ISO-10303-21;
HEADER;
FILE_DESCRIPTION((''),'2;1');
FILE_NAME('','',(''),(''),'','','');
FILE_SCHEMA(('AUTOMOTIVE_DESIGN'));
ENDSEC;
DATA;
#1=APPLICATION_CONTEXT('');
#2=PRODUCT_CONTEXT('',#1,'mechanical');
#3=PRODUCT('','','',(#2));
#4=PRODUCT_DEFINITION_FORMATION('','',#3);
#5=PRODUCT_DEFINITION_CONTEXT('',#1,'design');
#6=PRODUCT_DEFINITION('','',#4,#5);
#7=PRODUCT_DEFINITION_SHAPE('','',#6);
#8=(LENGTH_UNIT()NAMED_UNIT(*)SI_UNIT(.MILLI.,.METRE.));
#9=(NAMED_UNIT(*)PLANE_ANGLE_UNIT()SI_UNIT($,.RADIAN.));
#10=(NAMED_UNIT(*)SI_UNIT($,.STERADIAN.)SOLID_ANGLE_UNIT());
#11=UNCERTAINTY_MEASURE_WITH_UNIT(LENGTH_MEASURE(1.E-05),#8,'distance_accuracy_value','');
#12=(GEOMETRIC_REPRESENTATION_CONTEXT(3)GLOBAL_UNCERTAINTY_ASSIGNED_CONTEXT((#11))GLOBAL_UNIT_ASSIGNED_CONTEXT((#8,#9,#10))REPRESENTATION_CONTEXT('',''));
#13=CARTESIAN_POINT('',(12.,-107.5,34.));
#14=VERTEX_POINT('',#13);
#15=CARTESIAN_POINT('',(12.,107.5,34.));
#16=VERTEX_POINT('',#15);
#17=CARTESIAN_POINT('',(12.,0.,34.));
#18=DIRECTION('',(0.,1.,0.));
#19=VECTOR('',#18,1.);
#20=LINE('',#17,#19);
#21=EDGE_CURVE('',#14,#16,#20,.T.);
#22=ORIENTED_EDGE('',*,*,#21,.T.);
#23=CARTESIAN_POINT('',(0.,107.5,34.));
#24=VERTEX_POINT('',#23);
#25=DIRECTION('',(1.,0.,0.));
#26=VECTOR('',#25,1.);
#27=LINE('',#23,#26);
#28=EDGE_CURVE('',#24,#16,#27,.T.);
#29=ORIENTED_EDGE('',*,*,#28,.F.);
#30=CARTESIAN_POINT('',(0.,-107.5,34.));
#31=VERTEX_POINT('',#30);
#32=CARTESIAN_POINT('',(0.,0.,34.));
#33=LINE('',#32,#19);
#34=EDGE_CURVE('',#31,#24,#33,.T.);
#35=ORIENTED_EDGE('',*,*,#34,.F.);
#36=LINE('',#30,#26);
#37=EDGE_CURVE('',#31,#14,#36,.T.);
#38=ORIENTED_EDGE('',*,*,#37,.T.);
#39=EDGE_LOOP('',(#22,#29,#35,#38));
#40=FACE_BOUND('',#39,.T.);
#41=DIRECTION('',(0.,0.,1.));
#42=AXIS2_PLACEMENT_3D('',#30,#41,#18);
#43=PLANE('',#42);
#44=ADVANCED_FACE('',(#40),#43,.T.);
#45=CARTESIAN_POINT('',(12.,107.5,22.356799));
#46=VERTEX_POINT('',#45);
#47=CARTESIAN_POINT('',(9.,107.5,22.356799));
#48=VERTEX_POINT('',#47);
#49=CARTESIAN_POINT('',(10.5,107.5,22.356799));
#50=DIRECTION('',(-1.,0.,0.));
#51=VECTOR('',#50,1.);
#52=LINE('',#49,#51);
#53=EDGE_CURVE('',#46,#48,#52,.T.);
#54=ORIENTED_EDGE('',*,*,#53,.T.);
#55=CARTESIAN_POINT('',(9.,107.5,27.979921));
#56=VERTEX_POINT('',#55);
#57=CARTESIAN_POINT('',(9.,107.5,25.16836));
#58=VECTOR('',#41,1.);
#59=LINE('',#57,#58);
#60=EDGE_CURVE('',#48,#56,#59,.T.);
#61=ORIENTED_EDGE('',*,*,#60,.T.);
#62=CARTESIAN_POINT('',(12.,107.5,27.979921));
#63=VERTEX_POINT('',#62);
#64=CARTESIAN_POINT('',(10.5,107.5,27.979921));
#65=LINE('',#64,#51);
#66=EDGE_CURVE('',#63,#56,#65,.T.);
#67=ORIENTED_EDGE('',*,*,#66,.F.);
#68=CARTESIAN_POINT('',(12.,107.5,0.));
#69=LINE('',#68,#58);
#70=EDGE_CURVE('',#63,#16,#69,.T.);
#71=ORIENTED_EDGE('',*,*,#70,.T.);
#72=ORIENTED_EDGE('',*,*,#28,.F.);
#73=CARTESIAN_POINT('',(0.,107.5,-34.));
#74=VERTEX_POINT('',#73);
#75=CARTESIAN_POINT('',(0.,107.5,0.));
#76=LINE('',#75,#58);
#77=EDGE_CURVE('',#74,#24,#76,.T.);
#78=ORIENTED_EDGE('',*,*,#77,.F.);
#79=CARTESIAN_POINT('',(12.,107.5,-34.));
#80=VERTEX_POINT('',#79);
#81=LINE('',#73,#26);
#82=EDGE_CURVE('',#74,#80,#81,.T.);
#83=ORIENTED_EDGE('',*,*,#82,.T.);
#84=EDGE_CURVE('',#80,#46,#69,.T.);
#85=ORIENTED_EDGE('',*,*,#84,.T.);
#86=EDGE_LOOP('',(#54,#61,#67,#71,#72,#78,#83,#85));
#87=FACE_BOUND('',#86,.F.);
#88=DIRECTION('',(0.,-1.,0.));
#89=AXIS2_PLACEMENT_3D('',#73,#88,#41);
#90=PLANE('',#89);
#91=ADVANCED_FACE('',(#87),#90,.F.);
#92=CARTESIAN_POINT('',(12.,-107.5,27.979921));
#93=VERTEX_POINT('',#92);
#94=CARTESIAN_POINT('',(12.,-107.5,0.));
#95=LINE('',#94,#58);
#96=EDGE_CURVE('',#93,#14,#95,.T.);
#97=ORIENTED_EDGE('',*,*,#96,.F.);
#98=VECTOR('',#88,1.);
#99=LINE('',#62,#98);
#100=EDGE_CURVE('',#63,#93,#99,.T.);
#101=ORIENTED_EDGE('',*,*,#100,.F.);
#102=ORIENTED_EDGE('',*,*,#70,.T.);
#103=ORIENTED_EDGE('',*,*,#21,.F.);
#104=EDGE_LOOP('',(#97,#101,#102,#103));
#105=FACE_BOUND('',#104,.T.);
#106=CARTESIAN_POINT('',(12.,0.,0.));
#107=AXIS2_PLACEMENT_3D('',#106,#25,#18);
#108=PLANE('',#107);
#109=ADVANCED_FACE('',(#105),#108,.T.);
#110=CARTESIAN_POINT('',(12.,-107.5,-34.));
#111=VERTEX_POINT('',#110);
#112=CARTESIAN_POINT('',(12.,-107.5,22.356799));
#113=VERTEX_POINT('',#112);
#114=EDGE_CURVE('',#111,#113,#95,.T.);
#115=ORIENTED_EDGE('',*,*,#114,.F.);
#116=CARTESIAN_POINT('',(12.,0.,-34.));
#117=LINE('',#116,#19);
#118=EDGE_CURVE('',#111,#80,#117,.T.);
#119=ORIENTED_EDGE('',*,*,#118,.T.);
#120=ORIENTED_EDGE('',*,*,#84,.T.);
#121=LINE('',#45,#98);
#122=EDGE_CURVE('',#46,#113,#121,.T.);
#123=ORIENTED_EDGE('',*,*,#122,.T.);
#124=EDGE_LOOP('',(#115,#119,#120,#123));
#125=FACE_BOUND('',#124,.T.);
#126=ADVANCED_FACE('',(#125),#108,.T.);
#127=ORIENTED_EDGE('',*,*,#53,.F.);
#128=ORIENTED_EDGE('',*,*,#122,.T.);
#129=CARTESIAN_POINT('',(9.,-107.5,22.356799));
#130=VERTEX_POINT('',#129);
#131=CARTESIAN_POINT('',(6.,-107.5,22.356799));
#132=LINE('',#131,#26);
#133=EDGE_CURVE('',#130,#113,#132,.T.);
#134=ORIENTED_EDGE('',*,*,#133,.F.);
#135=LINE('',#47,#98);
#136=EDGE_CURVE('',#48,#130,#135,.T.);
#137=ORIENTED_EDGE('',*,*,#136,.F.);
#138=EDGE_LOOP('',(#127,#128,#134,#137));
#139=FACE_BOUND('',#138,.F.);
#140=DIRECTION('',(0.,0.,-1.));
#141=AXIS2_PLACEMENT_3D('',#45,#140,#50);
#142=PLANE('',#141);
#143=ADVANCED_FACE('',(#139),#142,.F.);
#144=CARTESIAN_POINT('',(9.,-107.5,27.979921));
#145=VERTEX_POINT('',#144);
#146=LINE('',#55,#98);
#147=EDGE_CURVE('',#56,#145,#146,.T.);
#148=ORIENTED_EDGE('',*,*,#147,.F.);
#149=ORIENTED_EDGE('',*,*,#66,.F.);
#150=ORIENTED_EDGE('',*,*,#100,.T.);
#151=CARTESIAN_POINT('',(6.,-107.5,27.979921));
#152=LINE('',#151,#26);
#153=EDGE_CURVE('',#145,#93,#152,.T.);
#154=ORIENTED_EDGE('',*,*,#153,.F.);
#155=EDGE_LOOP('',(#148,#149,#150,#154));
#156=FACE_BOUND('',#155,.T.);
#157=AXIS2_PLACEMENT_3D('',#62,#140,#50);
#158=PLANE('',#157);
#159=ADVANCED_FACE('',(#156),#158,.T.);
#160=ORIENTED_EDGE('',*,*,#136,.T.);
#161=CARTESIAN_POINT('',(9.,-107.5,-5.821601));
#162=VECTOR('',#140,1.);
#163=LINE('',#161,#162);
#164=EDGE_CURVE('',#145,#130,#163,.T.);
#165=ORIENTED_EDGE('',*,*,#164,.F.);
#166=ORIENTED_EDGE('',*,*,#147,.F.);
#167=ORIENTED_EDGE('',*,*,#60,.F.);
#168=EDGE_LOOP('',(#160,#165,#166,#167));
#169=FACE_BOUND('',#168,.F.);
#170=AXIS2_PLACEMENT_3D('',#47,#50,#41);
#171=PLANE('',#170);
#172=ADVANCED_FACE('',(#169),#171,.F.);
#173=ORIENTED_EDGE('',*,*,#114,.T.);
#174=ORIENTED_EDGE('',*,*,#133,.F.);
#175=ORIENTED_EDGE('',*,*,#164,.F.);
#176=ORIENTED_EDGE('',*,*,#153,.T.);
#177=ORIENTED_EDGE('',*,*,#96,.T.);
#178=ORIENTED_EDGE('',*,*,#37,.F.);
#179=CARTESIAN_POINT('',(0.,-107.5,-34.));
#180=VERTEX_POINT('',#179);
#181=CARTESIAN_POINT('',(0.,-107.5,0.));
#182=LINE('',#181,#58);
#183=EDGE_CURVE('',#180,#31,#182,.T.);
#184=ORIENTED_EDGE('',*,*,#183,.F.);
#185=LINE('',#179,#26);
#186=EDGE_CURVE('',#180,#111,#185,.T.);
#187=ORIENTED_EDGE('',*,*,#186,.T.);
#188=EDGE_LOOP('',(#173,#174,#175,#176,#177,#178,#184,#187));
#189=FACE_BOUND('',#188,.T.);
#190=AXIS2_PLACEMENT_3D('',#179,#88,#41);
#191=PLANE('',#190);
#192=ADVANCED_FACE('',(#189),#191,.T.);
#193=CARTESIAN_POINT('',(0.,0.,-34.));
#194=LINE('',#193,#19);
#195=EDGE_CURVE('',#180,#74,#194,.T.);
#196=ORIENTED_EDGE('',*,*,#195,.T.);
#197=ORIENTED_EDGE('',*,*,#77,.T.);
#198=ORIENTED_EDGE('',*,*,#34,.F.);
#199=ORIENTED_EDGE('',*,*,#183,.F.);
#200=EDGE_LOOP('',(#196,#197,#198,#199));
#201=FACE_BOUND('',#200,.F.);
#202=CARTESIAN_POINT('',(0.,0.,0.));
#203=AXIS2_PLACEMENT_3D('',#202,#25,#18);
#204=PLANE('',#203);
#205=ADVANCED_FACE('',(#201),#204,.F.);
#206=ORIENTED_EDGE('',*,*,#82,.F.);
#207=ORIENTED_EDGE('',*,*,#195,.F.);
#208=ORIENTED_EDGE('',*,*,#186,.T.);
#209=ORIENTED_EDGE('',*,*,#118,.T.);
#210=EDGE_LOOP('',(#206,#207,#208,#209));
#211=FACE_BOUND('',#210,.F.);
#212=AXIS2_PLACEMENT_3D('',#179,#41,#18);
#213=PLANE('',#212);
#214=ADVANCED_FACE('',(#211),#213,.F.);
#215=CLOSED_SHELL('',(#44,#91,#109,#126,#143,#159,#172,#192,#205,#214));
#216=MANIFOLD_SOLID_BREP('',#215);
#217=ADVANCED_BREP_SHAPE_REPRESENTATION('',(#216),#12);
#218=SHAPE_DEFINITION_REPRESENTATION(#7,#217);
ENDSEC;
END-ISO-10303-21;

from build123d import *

# Parameters (mm, degrees)
F0_W     = 215
F0_H     = 68
F1_DEPTH = 12
F2_W     = 3
F2_H     = 5.623123
F3_DEPTH = 300


with BuildPart() as f1:
    # F0 (on Right) → F1 (new body)
    with BuildSketch(Plane.YZ):
        Rectangle(F0_W, F0_H)
    extrude(amount=F1_DEPTH)

    # F2 (on face) → F3 (cut)
    with BuildSketch(Plane(origin=(0, 107.5, 0), x_dir=(-1, 0, 0), z_dir=(0, 1, 0))):
        with Locations((-10.5, 25.16836)):
            Rectangle(F2_W, F2_H)
    extrude(amount=-F3_DEPTH, mode=Mode.SUBTRACT)


solid = f1.part
